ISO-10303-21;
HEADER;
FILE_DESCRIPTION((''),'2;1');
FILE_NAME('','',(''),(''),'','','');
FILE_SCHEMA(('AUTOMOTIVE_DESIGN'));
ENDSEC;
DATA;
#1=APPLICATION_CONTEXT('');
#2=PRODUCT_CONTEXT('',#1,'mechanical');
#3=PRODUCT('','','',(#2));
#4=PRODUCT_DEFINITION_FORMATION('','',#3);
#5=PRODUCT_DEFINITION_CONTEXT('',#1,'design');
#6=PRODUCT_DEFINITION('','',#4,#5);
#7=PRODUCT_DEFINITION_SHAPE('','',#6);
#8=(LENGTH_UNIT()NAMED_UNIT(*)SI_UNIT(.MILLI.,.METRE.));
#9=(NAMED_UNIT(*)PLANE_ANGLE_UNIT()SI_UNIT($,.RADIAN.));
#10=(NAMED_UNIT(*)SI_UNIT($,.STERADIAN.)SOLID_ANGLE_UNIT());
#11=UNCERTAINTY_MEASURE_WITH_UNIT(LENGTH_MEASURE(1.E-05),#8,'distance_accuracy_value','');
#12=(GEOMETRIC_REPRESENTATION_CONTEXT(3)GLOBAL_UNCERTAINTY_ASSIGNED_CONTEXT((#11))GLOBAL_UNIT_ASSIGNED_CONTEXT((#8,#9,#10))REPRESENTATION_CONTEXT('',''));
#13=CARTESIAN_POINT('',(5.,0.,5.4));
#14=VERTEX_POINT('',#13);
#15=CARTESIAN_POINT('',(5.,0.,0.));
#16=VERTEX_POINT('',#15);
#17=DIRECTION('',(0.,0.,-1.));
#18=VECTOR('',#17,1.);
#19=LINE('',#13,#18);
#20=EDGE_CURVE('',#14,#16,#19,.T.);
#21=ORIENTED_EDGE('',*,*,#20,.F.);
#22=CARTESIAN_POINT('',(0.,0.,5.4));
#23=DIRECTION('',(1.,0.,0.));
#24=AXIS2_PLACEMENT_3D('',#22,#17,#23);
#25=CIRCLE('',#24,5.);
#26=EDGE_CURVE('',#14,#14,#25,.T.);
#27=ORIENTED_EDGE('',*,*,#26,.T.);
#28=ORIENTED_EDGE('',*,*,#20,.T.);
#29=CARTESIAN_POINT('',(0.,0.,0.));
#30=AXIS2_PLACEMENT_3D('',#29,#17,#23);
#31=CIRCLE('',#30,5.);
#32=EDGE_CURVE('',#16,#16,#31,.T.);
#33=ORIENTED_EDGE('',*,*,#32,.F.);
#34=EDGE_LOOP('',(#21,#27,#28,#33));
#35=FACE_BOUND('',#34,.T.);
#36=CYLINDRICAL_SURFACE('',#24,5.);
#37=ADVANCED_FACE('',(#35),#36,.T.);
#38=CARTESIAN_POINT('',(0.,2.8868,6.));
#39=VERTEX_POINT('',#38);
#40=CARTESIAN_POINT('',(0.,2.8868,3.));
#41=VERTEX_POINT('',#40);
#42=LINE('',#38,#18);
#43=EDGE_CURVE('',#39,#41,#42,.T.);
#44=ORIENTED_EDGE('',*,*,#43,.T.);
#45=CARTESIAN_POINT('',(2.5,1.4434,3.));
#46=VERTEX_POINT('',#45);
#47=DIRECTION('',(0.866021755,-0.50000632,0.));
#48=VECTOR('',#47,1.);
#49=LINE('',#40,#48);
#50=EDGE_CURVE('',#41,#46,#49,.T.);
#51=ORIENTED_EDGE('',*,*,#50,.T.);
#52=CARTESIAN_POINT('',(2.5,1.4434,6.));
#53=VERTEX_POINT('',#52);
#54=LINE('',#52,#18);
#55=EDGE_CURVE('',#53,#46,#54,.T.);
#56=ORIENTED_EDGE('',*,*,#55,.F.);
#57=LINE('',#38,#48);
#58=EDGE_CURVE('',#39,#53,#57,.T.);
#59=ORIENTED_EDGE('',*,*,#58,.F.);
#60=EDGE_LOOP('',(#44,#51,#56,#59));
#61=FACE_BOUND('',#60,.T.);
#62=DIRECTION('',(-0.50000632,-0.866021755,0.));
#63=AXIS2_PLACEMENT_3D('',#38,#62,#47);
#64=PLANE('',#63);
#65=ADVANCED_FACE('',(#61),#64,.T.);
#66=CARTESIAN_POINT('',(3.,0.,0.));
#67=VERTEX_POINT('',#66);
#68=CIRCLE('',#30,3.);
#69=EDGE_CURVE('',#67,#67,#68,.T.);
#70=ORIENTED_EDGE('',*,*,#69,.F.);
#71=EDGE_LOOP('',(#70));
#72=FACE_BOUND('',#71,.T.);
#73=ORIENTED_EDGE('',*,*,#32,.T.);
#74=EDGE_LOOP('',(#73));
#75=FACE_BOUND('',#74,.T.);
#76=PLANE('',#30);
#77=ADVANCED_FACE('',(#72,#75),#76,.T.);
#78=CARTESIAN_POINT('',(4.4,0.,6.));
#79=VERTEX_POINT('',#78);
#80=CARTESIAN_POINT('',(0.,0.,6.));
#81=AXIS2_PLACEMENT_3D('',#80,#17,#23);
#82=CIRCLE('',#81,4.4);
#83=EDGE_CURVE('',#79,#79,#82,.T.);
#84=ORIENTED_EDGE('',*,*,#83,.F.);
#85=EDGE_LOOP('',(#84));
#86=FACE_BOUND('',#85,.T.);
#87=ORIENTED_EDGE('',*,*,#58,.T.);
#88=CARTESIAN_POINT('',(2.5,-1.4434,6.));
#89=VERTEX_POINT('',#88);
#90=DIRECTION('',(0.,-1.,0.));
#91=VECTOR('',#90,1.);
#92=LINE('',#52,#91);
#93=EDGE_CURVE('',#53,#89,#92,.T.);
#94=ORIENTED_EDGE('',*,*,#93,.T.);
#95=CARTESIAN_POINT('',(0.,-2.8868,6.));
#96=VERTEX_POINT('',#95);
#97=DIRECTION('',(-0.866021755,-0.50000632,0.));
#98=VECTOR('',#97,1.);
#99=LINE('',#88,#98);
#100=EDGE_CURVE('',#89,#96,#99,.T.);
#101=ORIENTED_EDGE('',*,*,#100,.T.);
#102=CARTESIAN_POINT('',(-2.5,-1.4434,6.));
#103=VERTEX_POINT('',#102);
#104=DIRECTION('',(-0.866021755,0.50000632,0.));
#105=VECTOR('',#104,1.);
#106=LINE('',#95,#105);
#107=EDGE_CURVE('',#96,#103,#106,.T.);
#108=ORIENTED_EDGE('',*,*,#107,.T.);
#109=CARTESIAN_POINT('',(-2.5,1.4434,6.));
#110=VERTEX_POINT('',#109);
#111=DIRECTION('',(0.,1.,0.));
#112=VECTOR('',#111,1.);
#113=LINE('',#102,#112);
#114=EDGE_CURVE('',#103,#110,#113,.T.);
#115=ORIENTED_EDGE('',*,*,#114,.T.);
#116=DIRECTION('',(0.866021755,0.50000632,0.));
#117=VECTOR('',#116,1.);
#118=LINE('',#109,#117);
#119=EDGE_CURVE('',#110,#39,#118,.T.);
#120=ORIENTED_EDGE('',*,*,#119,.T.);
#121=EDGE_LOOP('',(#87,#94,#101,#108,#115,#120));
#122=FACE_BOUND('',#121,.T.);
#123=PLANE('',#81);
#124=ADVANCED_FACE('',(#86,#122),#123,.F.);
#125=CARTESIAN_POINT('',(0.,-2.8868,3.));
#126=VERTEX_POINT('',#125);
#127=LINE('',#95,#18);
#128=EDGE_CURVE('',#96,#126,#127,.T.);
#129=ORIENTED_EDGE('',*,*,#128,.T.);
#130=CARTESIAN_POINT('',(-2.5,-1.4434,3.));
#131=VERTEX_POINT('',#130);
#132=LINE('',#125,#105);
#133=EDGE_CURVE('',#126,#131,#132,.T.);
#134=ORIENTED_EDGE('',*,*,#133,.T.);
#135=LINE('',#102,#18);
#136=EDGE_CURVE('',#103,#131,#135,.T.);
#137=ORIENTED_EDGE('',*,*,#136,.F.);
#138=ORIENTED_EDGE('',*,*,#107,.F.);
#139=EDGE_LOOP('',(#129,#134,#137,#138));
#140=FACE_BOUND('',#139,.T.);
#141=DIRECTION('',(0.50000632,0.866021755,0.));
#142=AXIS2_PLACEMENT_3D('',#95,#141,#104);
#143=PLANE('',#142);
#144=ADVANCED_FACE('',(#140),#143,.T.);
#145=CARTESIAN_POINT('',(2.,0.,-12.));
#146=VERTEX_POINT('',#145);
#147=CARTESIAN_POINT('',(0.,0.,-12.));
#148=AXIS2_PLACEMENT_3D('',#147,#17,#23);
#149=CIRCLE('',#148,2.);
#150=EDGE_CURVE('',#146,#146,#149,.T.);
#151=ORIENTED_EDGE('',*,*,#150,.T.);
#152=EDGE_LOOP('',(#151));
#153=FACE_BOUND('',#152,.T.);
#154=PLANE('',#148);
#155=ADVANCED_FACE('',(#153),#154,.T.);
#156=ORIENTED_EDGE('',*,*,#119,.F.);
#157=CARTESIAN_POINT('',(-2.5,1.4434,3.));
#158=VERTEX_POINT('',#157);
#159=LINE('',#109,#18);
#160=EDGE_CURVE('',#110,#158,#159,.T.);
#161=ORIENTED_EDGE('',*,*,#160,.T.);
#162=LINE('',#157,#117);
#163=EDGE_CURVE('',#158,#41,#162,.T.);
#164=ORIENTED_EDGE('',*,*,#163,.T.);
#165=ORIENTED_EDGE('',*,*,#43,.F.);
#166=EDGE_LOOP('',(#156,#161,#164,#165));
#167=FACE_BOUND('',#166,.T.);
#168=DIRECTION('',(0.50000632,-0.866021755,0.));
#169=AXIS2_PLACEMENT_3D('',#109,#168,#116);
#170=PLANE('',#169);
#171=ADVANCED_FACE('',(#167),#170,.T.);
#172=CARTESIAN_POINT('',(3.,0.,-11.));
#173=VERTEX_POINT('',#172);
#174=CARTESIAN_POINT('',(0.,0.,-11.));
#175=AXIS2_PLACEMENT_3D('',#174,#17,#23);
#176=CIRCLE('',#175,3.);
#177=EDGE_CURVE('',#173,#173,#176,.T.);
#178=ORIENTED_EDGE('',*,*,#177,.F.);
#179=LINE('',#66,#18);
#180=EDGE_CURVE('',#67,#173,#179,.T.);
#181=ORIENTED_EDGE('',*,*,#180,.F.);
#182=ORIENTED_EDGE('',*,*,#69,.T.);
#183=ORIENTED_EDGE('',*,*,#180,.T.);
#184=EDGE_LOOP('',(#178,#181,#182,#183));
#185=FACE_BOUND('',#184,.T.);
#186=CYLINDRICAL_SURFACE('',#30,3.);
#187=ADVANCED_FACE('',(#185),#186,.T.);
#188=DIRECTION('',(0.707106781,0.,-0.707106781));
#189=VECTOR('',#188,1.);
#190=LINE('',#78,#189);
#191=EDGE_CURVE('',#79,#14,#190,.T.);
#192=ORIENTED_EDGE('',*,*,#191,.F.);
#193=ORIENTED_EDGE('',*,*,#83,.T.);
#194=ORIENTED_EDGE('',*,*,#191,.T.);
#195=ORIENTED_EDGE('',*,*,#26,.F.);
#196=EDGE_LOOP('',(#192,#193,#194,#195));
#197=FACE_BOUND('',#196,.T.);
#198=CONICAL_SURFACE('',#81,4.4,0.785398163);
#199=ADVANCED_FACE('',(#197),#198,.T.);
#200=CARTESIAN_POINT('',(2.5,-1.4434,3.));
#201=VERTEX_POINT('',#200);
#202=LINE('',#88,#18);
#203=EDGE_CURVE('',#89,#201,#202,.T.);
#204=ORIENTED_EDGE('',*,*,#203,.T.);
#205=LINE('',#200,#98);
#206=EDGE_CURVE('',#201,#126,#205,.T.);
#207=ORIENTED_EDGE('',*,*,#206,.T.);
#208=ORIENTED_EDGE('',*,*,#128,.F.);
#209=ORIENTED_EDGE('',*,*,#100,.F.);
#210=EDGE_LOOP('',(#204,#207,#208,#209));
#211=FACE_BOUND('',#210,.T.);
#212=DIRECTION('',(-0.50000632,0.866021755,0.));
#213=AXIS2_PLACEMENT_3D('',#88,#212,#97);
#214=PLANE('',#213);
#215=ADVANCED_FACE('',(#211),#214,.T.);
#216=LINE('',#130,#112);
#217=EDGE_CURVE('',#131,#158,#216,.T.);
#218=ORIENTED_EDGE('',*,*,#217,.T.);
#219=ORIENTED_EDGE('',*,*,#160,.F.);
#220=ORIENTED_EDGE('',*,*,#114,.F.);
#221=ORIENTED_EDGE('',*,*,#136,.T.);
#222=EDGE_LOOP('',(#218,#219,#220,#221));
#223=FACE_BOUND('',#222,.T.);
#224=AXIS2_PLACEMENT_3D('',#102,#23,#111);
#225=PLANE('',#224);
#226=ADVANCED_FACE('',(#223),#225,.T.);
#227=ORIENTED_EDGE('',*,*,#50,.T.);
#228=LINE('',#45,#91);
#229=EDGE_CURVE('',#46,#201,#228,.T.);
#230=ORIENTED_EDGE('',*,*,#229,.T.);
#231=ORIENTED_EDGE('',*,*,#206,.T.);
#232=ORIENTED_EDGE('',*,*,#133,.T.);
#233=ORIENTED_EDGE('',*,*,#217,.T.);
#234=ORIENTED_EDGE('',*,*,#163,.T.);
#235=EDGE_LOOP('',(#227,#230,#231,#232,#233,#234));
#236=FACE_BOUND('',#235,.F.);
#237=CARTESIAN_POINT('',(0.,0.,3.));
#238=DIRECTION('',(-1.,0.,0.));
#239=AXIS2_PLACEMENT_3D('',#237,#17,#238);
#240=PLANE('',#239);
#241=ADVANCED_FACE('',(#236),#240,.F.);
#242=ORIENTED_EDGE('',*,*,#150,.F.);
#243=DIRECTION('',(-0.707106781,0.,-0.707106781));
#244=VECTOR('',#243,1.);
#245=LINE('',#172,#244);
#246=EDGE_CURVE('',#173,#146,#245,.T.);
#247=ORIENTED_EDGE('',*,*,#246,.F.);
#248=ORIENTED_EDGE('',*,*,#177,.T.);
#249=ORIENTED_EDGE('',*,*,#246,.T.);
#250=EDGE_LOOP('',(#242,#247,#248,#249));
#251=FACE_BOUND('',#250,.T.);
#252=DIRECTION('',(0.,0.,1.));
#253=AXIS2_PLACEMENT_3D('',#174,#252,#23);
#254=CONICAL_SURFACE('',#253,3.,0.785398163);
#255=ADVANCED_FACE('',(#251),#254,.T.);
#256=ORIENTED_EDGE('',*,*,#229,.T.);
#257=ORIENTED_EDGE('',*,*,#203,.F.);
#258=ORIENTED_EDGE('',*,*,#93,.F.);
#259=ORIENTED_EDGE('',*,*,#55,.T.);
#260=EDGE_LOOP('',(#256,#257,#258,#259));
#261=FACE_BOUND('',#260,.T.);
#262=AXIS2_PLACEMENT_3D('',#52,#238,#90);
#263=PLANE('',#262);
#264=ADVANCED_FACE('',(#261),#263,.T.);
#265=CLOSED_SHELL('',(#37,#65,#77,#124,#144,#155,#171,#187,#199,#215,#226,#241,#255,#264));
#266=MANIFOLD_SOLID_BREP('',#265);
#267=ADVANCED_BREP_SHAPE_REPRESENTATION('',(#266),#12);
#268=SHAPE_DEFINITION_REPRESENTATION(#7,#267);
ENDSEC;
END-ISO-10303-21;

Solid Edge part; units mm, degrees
sketch "Sketch1" plane through (0, 0, 0) normal (0, -1, 0) x (1, 0, 0)
  line L0 (0, 6) -> (4.4, 6)
  line L1 (4.4, 6) -> (5, 5.4)
  line L2 (5, 5.4) -> (5, 0)
  line L3 (5, 0) -> (3, 0)
  line L4 (3, 0) -> (3, -11)
  line L5 (3, -11) -> (2, -12)
  line L6 (2, -12) -> (0, -12)
  line L7 (0, -12) -> (0, 6)
  dimension "D1" = 6
  dimension "D2" = 12
  dimension "D3" = 1
  dimension "D4" = 0.6
  dimension "D5" = 0.6
revolve "RevolvedProtrusion1" add sketch "Sketch1" angle 360 about axis through (0, 0, 54) along (0, 0, -1)
sketch "Sketch2" plane through (0, 0, 6) normal (0, 0, 1) x (0, 1, 0)
  line L0 (-2.8868, 0) -> (-1.4434, 2.5)
  line L1 (-1.4434, 2.5) -> (1.4434, 2.5)
  line L2 (1.4434, 2.5) -> (2.8868, 0)
  line L3 (2.8868, 0) -> (1.4434, -2.5)
  line L4 (1.4434, -2.5) -> (-1.4434, -2.5)
  line L5 (-1.4434, -2.5) -> (-2.8868, 0)
  dimension "D1" = 5
extrude "Cutout1" cut sketch "Sketch2" against normal blind 3
cosmetic_thread "Thread1"
properties material "Steel"
